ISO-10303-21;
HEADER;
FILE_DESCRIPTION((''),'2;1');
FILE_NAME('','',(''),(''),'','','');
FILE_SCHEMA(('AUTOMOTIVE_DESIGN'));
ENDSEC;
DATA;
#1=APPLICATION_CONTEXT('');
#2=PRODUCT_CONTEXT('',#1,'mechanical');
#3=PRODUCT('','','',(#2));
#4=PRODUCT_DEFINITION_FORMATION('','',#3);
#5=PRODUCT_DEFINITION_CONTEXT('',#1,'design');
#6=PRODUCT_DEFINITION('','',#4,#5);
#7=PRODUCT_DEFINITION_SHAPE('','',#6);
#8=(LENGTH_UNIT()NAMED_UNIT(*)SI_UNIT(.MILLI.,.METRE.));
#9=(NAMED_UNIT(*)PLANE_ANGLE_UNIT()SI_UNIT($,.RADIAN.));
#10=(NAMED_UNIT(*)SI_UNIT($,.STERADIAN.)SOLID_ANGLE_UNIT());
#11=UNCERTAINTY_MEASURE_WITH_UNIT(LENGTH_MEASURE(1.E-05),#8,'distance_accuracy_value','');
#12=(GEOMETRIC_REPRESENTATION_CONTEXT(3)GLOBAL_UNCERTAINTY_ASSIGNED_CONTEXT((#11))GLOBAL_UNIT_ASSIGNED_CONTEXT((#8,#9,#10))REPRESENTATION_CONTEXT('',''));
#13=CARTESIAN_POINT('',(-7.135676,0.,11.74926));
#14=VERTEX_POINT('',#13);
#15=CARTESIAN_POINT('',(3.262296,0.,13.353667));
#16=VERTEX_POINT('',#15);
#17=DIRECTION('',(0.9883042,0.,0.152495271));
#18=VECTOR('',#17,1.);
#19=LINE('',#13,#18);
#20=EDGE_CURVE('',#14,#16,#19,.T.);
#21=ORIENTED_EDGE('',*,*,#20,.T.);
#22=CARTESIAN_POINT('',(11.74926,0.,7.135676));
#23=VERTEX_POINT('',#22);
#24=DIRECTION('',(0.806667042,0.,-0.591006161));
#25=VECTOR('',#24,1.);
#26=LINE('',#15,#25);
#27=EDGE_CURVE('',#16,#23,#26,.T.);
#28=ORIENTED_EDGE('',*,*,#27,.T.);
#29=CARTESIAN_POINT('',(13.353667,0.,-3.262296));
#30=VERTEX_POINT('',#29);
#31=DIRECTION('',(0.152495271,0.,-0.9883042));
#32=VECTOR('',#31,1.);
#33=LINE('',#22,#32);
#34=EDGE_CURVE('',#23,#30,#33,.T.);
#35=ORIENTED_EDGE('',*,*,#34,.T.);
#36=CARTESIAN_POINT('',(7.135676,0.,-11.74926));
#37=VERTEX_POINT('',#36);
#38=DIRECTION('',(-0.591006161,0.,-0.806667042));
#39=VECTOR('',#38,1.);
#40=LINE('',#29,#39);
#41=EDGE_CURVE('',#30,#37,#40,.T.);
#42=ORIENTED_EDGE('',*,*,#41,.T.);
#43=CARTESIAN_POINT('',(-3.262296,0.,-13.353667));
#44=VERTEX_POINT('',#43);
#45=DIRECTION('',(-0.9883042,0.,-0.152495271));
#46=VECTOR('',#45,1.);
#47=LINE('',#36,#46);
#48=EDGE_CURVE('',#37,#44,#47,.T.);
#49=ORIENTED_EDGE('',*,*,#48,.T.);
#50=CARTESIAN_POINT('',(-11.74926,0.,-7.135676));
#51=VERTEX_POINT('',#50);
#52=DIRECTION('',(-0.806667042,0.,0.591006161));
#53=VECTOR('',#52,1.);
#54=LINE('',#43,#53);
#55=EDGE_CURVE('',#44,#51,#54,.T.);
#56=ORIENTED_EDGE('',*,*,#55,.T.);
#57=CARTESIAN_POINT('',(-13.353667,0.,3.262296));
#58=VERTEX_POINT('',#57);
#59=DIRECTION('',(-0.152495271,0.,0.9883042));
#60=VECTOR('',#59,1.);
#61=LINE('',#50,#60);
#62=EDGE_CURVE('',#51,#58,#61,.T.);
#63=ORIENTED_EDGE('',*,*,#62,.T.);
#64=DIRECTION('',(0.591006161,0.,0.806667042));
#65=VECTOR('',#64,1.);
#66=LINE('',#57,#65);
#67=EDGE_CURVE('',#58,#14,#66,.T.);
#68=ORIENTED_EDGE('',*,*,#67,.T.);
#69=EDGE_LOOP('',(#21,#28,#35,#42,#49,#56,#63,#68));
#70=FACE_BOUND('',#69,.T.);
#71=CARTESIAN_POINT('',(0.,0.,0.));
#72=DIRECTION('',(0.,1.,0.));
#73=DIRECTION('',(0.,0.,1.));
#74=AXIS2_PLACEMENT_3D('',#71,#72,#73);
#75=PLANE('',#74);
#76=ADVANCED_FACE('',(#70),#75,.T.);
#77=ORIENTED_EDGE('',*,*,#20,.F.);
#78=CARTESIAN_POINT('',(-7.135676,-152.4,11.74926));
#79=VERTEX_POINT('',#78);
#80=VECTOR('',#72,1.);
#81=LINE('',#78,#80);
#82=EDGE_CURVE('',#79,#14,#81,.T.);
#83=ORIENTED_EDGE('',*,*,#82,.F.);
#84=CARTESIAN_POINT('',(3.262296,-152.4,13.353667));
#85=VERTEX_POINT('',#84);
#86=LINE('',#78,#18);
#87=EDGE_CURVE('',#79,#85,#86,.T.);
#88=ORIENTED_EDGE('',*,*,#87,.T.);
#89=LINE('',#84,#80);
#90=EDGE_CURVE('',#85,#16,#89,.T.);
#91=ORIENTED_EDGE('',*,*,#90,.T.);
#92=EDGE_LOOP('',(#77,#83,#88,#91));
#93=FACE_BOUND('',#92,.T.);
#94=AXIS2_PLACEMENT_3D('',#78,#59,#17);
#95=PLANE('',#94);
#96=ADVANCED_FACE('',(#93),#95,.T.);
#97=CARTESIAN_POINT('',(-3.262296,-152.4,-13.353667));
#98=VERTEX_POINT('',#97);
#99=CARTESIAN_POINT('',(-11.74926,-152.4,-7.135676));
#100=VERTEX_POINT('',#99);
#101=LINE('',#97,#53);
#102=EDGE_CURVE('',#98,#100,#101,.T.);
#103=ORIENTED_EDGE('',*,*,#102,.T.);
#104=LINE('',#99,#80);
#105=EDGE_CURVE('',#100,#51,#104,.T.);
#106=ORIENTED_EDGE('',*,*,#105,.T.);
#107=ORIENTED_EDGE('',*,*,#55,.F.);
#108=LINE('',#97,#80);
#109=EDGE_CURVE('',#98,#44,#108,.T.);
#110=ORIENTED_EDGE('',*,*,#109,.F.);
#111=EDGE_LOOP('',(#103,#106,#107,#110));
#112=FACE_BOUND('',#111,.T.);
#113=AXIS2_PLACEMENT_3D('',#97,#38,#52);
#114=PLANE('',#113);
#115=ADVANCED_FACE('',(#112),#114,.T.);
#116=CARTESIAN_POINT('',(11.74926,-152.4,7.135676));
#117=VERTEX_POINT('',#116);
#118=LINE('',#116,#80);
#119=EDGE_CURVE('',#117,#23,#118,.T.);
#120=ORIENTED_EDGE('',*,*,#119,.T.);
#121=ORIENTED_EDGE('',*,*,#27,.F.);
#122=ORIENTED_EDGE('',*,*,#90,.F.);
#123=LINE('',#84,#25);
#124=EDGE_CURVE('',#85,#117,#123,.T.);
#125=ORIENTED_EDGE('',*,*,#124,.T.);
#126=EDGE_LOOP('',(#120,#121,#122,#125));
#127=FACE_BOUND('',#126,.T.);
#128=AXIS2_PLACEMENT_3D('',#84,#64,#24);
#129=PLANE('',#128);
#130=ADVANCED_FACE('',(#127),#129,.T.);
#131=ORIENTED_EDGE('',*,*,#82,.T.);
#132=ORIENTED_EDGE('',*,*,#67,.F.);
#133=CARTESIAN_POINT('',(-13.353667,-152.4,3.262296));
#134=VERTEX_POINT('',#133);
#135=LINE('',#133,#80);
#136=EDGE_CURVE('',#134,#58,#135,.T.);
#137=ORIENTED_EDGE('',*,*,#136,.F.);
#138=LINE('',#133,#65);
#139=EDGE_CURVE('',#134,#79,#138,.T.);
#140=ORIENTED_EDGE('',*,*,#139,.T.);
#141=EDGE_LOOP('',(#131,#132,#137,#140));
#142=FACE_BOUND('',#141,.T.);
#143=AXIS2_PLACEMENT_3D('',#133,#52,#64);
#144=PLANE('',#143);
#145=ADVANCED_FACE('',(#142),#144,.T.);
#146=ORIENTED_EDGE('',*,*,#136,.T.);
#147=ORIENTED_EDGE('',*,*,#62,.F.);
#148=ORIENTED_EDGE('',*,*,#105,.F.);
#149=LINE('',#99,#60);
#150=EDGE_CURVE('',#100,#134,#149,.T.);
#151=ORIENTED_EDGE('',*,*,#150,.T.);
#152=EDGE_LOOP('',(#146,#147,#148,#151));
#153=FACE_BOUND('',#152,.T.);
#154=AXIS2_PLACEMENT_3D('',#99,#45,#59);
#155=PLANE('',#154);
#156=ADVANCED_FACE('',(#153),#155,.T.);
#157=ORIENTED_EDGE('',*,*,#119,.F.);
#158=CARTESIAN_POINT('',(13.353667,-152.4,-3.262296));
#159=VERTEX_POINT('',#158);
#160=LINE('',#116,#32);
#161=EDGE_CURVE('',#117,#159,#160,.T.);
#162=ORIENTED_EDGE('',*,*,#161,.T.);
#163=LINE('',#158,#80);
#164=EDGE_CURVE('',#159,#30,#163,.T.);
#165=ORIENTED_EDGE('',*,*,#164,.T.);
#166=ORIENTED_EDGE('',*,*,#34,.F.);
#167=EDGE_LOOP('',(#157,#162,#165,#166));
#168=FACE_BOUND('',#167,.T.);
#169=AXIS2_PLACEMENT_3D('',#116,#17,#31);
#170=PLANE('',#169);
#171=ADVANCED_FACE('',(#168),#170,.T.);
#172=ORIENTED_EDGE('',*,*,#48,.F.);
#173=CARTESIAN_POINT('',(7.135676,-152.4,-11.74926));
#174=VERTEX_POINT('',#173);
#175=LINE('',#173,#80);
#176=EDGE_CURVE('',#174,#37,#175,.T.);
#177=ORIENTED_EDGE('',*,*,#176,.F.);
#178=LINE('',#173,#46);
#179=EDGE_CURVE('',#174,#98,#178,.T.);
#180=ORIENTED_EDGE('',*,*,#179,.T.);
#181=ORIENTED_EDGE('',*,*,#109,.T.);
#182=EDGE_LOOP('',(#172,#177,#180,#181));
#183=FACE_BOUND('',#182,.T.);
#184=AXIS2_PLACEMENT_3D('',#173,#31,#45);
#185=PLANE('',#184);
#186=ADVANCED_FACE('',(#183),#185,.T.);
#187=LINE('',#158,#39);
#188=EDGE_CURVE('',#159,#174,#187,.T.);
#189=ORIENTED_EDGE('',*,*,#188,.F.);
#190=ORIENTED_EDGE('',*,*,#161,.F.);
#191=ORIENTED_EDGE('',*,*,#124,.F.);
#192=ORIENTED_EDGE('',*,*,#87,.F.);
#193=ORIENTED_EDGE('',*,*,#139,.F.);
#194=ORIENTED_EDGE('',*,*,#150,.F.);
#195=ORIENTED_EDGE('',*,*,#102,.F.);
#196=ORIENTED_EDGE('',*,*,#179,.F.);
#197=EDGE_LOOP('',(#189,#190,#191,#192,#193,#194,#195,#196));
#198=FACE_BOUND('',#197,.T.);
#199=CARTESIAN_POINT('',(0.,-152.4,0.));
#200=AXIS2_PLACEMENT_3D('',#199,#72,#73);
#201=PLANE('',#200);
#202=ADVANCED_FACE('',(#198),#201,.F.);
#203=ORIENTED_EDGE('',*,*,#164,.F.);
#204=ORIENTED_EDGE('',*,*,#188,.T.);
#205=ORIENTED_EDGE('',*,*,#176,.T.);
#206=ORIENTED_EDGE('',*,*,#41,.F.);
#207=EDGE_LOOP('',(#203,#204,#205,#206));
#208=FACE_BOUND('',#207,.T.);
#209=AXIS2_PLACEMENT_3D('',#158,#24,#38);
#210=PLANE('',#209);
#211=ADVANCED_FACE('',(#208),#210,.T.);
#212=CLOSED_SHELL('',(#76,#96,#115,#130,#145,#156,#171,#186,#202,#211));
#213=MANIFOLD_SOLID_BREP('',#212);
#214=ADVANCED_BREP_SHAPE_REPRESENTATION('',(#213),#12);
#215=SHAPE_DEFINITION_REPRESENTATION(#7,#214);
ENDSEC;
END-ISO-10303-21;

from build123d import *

# Parameters (mm, degrees)
BOSS_EXTRUDE1_DEPTH = 152.4


with BuildPart() as part:
    # Sketch1 → Boss-Extrude1 (new body)
    with BuildSketch(Plane(origin=(0, 0, 0), x_dir=(1, 0, 0), z_dir=(0, 1, 0))):
        Polygon((11.749260101, -7.135676291), (13.353666585, 3.262296397), (7.135676291, 11.749260101), (-3.262296397, 13.353666585), (-11.749260101, 7.135676291), (-13.353666585, -3.262296397), (-7.135676291, -11.749260101), (3.262296397, -13.353666585), align=None)
    extrude(amount=-BOSS_EXTRUDE1_DEPTH)


solid = part.part
